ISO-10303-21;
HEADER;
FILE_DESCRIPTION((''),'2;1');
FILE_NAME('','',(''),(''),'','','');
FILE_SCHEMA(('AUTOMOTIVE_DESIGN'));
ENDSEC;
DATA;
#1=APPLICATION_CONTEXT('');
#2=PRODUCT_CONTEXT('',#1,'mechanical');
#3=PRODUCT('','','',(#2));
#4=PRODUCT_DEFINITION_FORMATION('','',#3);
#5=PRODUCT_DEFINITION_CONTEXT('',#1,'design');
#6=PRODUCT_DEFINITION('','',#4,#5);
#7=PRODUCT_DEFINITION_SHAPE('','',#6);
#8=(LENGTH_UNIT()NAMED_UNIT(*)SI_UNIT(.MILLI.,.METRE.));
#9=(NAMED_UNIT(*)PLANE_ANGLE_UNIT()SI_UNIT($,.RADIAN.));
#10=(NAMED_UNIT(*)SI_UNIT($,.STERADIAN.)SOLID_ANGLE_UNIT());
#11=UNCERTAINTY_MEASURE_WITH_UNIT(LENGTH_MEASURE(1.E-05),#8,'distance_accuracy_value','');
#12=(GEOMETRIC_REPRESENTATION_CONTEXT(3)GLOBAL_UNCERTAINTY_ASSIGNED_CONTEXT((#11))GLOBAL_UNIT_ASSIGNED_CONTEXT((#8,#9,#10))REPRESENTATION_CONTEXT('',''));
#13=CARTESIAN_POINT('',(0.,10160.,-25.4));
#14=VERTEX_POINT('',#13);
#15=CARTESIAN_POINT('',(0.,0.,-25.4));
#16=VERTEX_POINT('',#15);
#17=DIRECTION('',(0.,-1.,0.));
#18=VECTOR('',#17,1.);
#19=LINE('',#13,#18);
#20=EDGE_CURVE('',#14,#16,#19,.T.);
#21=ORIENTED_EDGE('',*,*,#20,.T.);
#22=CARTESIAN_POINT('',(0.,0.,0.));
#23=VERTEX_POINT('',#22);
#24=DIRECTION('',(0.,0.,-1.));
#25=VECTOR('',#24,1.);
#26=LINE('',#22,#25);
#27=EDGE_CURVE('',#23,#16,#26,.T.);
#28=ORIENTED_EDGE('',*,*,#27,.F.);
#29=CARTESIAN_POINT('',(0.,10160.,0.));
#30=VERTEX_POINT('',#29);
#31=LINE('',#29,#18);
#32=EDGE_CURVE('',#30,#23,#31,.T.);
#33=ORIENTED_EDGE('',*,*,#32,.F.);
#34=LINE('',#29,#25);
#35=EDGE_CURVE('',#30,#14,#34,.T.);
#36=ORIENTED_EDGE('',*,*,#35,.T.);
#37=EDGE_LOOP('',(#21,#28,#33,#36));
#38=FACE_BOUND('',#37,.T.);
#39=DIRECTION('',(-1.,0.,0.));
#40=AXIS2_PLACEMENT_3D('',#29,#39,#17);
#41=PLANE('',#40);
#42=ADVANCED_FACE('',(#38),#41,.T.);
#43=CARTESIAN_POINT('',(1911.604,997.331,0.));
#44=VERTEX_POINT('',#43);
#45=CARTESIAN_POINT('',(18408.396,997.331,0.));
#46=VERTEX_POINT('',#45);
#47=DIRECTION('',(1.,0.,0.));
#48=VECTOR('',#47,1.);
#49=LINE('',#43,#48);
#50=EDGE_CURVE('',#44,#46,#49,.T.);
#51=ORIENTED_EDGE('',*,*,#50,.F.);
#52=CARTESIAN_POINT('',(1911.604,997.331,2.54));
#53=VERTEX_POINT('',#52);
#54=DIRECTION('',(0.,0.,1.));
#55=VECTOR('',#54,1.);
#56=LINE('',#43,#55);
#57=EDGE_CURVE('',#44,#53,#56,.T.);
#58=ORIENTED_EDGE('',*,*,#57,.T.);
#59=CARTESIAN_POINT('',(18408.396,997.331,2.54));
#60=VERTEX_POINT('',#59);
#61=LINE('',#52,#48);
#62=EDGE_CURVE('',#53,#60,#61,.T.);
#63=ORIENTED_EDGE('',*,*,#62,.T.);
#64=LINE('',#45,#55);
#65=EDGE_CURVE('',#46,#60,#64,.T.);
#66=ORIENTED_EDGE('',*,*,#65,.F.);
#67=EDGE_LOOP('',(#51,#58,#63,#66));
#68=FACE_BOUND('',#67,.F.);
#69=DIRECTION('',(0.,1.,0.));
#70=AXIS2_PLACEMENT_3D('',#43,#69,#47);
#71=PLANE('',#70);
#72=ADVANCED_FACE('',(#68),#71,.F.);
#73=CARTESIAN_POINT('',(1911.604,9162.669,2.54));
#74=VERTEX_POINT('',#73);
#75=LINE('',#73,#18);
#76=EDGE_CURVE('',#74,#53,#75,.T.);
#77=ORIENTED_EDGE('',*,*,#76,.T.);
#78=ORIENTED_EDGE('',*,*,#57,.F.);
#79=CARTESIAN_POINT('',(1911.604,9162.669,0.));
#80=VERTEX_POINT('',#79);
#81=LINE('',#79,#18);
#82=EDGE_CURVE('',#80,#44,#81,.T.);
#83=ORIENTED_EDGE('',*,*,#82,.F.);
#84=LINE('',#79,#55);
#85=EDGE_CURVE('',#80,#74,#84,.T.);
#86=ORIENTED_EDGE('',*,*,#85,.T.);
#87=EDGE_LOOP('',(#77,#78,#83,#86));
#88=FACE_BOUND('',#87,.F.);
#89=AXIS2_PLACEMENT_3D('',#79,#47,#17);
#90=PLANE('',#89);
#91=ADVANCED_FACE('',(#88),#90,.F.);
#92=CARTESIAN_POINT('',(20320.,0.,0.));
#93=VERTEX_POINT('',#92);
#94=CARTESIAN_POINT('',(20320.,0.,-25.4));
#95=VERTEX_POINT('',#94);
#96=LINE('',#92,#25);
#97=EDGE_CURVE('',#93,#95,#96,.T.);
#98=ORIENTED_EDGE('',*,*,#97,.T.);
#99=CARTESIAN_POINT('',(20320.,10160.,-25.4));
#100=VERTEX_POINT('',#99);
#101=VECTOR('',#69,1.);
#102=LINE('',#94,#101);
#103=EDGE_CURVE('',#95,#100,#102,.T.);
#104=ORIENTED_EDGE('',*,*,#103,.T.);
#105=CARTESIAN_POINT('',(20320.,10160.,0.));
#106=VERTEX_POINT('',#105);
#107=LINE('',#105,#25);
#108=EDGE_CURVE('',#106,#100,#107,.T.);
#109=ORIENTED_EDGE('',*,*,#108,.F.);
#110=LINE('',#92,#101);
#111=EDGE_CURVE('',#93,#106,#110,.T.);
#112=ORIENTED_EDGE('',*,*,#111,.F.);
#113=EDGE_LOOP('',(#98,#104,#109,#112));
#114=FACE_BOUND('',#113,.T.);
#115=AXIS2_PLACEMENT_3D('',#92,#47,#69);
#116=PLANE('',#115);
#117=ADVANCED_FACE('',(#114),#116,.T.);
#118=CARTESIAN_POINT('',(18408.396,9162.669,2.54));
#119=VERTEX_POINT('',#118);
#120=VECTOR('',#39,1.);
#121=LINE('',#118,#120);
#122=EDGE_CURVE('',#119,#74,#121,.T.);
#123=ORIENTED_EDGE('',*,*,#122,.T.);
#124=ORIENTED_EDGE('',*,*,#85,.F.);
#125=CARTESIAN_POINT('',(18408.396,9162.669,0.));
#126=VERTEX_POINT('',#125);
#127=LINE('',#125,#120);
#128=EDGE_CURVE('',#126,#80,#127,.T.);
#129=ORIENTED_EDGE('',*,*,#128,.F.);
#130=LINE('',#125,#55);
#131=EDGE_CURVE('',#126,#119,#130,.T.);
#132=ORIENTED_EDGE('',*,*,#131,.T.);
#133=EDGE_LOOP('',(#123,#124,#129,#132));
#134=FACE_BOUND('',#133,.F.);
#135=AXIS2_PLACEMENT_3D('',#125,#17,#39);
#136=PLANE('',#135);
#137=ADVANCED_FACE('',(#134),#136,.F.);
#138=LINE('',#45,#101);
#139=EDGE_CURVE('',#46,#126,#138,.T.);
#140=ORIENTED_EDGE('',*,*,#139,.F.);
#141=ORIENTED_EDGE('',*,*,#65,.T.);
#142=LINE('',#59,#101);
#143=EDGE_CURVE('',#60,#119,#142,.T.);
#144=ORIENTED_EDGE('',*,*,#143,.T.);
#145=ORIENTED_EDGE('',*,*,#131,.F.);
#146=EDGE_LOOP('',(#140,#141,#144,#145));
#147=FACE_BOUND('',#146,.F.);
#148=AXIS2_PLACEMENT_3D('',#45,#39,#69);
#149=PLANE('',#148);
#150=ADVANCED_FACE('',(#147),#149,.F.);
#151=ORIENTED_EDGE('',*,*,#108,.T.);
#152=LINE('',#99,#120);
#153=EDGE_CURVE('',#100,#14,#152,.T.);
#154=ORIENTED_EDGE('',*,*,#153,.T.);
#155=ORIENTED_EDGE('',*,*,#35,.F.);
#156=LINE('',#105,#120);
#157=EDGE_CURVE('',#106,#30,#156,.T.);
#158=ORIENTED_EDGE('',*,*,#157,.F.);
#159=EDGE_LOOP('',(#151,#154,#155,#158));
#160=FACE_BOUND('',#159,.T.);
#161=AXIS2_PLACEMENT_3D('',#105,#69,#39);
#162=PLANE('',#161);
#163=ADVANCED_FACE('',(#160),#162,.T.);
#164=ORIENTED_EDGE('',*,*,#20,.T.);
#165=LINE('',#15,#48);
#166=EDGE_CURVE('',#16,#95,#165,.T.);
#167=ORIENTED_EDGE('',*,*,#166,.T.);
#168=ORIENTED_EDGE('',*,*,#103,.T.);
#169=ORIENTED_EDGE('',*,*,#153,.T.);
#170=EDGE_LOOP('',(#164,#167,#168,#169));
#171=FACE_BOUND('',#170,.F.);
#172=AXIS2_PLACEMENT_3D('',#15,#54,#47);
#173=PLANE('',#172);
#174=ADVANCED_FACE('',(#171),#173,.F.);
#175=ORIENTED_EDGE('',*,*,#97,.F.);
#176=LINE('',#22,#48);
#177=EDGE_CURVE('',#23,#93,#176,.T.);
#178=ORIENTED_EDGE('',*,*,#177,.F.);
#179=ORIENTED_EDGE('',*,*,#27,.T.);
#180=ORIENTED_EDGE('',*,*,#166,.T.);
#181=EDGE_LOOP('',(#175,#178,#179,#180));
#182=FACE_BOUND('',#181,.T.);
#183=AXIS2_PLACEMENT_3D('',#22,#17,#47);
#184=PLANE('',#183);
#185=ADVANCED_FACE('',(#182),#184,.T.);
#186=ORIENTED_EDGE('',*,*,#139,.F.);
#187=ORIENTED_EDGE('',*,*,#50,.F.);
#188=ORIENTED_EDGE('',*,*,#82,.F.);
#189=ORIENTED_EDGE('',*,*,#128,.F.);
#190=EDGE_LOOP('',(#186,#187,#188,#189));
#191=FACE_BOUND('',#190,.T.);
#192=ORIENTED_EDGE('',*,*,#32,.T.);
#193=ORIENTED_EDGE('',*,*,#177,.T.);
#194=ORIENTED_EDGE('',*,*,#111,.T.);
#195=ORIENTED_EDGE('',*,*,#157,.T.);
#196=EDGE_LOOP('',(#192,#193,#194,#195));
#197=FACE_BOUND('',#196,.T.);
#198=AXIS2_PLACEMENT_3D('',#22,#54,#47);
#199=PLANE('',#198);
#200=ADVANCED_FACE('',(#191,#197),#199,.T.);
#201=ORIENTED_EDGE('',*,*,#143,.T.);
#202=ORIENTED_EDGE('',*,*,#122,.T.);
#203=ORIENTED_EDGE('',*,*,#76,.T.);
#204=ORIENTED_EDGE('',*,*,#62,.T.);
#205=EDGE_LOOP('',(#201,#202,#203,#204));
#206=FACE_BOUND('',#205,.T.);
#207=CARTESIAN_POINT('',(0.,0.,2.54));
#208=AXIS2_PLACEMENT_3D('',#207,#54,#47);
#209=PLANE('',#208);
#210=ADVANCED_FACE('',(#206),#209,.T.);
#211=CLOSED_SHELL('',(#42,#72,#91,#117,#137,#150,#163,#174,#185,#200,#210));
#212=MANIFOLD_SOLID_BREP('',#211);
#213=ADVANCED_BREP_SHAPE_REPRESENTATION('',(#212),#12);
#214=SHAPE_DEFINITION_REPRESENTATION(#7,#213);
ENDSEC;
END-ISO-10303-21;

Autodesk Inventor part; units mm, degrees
ref_plane "YZ Plane" through (0, 0, 0) normal (1, 0, 0) x (0, 1, 0)
ref_plane "XZ Plane" through (0, 0, 0) normal (0, 1, 0) x (-1, 0, 0)
ref_plane "XY Plane" through (0, 0, 0) normal (0, 0, 1) x (1, 0, 0)
sketch "Sketch1" plane through (0, 0, 0) normal (0, 0, 1) x (1, 0, 0)
  line L0 (0, 0) -> (20320, 0)
  line L1 (20320, 0) -> (20320, 10160)
  line L2 (20320, 10160) -> (0, 10160)
  line L3 (0, 10160) -> (0, 0)
  dimension "d0" = 20320
  dimension "d1" = 10160
extrude "Extrusion1" add sketch "Sketch1" against normal blind 25.4
sketch "Sketch2" plane through (0, 0, 0) normal (0, 0, 1) x (1, 0, 0)
  line L0 (20320, 10160) -> (0, 10160) projected
  line L1 (0, 10160) -> (0, 0) projected
  line L2 (1911.604, 997.331) -> (18408.396, 997.331)
  line L3 (18408.396, 997.331) -> (18408.396, 9162.669)
  line L4 (18408.396, 9162.669) -> (1911.604, 9162.669)
  line L5 (1911.604, 9162.669) -> (1911.604, 997.331)
  point P0 (1911.604, 5080)
  point P1 (0, 5080)
  point P2 (10160, 9162.669)
  point P3 (10160, 10160)
  dimension "d4" = 16496.792
  dimension "d6" = 8165.338
extrude "Extrusion2" add sketch "Sketch2" along normal blind 2.54
properties part number "Arena Base"
